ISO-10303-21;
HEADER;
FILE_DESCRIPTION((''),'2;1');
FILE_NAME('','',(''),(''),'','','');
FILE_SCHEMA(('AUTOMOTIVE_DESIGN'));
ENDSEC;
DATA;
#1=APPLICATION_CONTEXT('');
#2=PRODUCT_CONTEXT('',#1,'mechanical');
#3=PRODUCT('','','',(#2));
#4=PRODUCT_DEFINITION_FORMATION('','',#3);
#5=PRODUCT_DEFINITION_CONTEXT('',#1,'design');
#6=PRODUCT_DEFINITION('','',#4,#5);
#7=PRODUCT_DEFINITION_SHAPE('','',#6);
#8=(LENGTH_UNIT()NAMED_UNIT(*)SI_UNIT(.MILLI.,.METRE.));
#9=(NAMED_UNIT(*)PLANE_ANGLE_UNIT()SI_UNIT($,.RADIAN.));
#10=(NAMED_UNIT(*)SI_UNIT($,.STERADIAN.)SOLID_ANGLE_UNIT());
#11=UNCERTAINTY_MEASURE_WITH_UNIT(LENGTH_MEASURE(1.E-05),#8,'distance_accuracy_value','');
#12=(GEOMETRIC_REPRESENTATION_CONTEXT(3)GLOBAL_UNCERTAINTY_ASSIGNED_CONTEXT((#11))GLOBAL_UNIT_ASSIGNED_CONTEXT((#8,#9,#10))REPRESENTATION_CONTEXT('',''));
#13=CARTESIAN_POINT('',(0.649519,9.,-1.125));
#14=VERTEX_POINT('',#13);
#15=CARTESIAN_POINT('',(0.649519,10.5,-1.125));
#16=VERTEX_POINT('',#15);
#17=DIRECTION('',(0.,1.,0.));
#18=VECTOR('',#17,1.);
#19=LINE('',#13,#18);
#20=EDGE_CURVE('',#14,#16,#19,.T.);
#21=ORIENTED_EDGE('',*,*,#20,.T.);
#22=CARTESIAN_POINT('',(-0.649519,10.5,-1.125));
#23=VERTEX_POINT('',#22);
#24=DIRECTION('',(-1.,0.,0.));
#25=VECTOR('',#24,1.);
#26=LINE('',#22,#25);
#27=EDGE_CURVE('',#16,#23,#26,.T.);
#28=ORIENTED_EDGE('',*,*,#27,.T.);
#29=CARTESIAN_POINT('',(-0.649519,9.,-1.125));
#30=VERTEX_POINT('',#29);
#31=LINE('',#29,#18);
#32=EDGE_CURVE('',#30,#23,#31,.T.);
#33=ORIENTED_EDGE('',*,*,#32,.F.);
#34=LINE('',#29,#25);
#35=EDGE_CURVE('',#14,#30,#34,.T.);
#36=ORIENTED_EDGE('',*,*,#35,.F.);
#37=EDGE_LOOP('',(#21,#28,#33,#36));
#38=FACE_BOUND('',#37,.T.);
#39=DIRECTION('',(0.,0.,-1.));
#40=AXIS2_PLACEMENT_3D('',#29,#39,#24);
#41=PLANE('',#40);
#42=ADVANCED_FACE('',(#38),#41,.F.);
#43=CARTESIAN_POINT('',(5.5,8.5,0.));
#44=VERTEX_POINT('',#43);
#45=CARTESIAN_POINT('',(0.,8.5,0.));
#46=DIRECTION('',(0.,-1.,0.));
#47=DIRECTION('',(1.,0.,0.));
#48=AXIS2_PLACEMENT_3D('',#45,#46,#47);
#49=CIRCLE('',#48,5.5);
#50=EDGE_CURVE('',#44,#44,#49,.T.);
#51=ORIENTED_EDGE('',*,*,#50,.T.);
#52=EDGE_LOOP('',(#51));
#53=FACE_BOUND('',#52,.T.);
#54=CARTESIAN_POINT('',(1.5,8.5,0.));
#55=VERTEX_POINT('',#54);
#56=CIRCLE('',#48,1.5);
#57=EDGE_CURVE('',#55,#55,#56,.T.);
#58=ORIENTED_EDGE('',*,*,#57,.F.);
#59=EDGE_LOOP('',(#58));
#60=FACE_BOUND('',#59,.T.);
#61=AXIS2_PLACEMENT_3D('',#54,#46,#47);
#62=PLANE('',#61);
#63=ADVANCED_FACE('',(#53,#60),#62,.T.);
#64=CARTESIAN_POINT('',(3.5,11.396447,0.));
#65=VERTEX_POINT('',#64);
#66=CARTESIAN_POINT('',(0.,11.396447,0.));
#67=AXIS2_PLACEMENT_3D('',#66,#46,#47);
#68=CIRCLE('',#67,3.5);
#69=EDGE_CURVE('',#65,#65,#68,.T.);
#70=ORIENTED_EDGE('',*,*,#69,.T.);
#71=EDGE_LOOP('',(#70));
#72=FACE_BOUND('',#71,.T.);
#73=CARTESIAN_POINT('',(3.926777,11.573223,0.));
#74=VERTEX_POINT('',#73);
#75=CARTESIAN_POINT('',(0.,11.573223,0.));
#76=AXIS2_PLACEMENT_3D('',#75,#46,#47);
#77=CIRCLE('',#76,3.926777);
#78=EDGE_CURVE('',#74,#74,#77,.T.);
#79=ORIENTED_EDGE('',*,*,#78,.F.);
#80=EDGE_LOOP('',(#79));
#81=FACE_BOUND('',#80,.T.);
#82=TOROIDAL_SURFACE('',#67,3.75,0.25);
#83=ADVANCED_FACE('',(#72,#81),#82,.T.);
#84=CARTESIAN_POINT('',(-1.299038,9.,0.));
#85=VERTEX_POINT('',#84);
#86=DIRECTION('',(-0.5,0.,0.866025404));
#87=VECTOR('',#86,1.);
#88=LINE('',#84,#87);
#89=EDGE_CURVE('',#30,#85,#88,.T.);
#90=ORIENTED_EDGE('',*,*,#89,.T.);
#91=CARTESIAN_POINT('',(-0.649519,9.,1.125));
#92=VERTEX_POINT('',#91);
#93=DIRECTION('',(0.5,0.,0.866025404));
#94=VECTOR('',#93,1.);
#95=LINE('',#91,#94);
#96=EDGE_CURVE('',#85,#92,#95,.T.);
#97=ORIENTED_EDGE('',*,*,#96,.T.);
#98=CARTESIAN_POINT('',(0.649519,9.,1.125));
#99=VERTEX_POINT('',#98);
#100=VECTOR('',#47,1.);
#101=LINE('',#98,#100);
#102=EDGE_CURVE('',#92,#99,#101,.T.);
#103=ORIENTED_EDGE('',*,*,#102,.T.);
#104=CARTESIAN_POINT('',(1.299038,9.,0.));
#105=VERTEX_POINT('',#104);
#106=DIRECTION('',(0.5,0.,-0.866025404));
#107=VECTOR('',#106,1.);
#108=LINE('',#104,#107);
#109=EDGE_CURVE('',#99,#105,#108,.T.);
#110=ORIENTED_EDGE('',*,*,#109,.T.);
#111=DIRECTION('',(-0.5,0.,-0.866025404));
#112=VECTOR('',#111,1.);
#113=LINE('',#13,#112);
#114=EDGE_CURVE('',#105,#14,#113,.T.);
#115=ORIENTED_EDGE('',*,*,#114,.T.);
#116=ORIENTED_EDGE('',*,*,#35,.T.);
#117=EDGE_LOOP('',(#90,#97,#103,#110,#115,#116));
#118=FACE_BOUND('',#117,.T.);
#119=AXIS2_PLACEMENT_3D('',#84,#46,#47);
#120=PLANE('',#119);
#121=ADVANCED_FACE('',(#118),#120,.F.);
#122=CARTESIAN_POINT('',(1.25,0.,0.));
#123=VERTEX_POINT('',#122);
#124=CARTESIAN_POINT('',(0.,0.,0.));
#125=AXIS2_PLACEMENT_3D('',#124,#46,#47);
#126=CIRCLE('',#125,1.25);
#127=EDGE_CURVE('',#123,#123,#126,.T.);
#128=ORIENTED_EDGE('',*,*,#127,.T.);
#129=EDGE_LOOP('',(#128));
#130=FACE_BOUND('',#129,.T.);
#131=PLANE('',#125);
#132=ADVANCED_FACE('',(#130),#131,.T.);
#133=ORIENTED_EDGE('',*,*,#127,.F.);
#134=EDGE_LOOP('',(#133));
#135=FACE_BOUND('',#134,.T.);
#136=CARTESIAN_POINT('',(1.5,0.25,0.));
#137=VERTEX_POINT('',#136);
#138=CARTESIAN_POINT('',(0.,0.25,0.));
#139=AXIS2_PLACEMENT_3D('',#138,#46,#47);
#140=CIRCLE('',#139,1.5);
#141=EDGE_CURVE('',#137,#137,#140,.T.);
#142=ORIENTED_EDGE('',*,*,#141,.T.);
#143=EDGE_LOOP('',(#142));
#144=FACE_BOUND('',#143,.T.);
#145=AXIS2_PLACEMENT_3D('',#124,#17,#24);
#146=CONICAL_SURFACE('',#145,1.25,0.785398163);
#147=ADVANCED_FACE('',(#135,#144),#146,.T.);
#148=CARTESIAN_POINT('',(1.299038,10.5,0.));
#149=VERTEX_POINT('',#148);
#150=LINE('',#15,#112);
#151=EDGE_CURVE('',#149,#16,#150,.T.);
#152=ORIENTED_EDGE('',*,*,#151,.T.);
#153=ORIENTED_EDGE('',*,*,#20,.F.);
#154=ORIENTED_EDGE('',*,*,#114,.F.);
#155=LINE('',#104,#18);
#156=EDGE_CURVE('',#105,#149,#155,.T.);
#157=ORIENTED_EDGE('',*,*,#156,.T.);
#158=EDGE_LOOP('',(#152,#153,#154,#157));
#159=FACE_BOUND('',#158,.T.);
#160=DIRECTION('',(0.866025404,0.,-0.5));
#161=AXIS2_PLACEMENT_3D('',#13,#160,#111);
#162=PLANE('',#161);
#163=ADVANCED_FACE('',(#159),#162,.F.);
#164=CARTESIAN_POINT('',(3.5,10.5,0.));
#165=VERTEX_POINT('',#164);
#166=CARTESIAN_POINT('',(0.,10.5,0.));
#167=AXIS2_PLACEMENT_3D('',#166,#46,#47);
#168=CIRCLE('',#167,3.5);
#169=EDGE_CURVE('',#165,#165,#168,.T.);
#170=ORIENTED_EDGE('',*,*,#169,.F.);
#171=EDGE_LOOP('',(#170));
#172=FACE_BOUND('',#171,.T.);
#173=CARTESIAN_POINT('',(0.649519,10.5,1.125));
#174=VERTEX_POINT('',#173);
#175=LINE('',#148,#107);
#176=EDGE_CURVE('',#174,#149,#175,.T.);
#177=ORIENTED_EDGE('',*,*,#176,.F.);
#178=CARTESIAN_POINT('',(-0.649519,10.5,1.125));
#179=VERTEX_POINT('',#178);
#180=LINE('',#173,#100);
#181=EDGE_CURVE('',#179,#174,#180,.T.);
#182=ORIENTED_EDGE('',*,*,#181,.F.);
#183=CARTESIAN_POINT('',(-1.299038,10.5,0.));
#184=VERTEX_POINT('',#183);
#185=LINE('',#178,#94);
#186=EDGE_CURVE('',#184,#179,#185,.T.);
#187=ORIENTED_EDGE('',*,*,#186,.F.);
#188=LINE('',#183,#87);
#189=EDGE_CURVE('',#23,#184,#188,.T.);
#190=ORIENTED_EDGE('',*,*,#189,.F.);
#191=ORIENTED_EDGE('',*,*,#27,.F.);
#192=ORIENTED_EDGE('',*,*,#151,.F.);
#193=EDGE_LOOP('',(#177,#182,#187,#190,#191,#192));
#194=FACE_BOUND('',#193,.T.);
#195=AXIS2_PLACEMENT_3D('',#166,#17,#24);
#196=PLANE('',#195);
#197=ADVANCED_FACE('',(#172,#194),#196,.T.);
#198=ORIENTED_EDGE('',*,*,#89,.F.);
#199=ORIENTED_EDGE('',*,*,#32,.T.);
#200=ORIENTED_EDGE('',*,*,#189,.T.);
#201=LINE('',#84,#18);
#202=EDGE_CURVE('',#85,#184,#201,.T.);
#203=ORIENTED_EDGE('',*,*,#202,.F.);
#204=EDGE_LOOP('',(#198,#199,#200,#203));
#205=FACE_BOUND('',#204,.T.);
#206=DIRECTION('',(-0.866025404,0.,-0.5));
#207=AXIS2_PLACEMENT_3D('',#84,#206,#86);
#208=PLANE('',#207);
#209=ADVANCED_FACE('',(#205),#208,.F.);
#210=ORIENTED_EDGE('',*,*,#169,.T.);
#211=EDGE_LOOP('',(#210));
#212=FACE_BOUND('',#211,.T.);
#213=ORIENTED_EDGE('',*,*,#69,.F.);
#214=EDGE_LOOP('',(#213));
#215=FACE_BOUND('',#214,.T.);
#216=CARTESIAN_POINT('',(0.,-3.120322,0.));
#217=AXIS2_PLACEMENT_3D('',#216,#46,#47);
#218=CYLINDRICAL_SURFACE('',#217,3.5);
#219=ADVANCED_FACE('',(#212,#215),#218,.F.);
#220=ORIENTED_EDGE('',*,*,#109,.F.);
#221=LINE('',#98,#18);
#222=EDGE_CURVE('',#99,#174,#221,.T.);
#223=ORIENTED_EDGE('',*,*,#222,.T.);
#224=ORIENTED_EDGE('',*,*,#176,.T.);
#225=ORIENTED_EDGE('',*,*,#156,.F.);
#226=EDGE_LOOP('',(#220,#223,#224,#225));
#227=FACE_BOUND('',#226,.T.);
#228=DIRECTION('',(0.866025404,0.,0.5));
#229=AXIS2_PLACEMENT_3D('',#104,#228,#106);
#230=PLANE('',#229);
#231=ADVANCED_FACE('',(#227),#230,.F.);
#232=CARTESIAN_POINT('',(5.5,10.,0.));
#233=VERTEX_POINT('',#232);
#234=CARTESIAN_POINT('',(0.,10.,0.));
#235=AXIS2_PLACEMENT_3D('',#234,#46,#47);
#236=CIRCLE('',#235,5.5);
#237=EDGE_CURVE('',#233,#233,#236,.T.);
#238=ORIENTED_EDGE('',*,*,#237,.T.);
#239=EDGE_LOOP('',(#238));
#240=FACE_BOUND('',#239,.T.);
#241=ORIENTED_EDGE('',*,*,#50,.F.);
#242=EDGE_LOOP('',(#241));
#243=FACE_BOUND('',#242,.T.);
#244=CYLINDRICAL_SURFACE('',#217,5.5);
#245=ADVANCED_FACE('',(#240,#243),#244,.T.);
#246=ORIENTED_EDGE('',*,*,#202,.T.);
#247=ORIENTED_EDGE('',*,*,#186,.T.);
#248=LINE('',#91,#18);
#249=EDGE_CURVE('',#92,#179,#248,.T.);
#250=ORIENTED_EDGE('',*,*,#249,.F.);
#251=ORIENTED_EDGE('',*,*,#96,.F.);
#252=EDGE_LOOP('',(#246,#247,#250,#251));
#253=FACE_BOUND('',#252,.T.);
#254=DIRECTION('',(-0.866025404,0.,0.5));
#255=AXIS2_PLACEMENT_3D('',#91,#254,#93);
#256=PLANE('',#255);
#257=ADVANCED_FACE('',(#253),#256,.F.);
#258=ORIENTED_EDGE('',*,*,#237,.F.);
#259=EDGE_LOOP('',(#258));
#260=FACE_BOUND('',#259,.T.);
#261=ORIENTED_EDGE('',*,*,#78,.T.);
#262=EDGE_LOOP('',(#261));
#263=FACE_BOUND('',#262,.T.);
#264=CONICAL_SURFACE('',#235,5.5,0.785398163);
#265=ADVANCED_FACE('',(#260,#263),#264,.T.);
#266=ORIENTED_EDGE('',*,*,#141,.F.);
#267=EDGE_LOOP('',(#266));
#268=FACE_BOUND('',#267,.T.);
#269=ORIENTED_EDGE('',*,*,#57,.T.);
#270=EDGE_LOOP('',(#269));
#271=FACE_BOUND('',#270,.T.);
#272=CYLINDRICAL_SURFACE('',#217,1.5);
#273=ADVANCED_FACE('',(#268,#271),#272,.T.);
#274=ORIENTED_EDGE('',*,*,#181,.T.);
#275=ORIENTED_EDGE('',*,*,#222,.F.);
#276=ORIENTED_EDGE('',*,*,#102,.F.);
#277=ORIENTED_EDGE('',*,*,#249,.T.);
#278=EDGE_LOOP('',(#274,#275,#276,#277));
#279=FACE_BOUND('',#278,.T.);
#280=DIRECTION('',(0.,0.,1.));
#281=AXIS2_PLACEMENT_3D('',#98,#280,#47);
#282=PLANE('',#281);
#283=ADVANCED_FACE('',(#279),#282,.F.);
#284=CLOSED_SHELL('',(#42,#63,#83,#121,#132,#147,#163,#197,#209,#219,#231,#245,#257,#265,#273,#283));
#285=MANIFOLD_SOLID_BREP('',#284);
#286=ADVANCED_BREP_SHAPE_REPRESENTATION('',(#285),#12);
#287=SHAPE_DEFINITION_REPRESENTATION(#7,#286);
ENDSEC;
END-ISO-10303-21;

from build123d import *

# Parameters (mm, degrees)
ENL_V_MAT_EXTRU_1_DEPTH = 1.5


with BuildPart() as part:
    # Esquisse1 → Base-Révolution (revolve)
    with BuildSketch(Plane.XY):
        with BuildLine():
            Line((0, 0), (1.25, 0))
            Line((1.25, 0), (1.5, 0.25))
            Line((1.5, 0.25), (1.5, 8.5))
            Line((1.5, 8.5), (5.5, 8.5))
            Line((5.5, 8.5), (5.5, 10))
            Line((5.5, 10), (3.926776695, 11.573223305))
            ThreePointArc((3.926776695, 11.573223305), (3.654329142, 11.627416493), (3.5, 11.396446609))
            Line((3.5, 11.396446609), (3.5, 10.5))
            Line((3.5, 10.5), (0, 10.5))
            Line((0, 10.5), (0, 0))
        make_face()
    revolve(axis=Axis((0, -3.120322121, 0), (0, 1, 0)))

    # Esquisse2 → Enlèv. mat.-Extru.1 (cut)
    with BuildSketch(Plane(origin=(0, 10.5, 0), x_dir=(-1, 0, 0), z_dir=(0, 1, 0))):
        Polygon((-0.649519053, 1.125), (0.649519053, 1.125), (1.299038106, 0), (0.649519053, -1.125), (-0.649519053, -1.125), (-1.299038106, 0), align=None)
    extrude(amount=-ENL_V_MAT_EXTRU_1_DEPTH, mode=Mode.SUBTRACT)


solid = part.part
